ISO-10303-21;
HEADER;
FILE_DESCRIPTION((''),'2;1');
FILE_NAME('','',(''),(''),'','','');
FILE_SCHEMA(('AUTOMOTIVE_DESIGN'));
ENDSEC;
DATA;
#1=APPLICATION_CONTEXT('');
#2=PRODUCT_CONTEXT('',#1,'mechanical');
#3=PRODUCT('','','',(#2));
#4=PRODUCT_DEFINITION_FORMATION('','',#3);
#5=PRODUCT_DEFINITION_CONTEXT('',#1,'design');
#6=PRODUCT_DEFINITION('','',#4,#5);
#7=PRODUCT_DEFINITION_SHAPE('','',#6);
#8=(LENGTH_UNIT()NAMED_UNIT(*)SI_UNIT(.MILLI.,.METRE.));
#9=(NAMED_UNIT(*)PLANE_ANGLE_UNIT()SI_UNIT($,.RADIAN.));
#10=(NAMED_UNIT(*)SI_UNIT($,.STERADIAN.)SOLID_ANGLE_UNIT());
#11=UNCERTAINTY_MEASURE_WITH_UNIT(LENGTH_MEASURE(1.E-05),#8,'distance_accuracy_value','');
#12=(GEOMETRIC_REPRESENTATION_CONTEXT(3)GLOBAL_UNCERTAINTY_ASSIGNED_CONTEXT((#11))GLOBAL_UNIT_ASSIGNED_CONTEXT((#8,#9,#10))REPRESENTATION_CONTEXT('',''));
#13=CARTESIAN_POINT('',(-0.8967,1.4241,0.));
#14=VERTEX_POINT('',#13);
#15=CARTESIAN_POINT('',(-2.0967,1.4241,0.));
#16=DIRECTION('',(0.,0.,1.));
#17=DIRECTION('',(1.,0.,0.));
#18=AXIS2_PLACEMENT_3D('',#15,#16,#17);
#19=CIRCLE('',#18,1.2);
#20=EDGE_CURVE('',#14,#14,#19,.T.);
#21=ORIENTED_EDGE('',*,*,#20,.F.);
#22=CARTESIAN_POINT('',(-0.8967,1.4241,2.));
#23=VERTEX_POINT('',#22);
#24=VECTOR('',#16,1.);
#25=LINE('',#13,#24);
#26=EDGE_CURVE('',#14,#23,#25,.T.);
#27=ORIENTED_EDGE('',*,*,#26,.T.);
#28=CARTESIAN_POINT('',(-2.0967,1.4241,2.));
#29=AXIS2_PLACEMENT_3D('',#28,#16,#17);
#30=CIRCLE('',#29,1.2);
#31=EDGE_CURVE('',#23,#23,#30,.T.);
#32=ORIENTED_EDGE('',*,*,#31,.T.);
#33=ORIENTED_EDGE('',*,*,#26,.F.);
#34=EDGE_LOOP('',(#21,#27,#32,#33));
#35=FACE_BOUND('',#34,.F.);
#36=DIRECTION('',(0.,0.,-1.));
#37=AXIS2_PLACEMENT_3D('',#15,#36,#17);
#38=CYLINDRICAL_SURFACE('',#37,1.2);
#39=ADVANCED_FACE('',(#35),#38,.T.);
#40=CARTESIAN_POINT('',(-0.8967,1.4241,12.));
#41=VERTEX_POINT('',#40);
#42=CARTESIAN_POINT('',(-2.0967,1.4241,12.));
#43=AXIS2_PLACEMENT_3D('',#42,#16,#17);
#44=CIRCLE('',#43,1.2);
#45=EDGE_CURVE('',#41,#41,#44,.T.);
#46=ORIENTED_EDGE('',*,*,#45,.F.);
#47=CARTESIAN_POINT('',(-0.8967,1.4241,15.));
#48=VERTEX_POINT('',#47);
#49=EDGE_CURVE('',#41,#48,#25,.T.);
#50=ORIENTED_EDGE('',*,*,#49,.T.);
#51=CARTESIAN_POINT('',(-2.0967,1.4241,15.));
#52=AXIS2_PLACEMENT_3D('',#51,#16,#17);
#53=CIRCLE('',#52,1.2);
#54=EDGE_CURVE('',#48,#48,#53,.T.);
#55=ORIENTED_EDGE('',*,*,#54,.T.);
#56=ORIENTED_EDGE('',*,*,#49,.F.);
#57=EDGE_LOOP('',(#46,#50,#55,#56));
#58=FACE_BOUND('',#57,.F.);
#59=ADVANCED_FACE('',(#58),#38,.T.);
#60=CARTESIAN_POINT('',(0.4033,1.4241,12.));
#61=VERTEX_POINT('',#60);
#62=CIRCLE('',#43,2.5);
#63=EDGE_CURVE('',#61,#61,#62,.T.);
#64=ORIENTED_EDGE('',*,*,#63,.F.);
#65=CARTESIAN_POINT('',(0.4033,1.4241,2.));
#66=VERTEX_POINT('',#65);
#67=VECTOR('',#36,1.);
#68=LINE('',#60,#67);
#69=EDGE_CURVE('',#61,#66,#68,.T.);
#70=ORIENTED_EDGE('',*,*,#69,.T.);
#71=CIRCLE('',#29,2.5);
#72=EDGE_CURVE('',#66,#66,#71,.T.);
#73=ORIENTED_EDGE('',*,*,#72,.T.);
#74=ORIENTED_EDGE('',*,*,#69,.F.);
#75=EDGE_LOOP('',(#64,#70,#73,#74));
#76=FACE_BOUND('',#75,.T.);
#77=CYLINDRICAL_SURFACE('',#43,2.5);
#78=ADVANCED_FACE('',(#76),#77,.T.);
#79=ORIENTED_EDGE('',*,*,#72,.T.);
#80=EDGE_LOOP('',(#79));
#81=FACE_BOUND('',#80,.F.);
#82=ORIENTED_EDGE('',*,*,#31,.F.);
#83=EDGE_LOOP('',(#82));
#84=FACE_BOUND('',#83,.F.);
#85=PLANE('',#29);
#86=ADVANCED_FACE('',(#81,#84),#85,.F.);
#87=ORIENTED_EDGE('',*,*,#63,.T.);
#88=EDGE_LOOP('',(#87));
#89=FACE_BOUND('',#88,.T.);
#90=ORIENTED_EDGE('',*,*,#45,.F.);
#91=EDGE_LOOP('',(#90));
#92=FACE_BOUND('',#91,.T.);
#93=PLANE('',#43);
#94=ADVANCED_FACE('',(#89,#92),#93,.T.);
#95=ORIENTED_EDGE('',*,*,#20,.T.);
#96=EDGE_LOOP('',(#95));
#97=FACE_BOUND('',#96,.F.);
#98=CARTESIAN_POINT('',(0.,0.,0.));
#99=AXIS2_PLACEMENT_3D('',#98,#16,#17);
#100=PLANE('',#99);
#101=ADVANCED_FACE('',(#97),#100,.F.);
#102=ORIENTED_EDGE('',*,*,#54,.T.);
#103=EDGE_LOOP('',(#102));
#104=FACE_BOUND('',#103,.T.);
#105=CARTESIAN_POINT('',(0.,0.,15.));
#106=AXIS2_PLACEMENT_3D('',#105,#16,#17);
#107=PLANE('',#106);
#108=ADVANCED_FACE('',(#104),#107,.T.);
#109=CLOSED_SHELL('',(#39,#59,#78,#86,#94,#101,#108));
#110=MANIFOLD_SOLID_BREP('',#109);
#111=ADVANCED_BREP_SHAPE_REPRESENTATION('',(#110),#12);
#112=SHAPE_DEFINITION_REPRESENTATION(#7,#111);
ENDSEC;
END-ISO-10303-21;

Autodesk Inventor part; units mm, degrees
ref_plane "YZ Plane" through (0, 0, 0) normal (1, 0, 0) x (0, 1, 0)
ref_plane "XZ Plane" through (0, 0, 0) normal (0, 1, 0) x (-1, 0, 0)
ref_plane "XY Plane" through (0, 0, 0) normal (0, 0, 1) x (1, 0, 0)
sketch "Sketch1" plane through (0, 0, 0) normal (0, 0, 1) x (1, 0, 0)
  circle A0 centre (-2.0967, 1.4241) radius 1.2
  point P0 (0, 0)
  dimension "d0" = 2.4
extrude "Extrusion1" add sketch "Sketch1" along normal blind 15
ref_plane "Work Plane1" through (-2.0967, 1.4241, 12) normal (0, 0, 1) x (1, 0, 0)
sketch "Sketch3" plane through (-2.0967, 1.4241, 12) normal (0, 0, 1) x (1, 0, 0)
  circle A0 centre (0, 0) radius 1.2 projected
  circle A1 centre (0, 0) radius 1.2 projected
  circle A2 centre (0, 0) radius 2.5
  point P0 (2.0967, -1.4241)
  dimension "d4" = 5
extrude "Extrusion2" add sketch "Sketch3" against normal blind 10
properties part number "M2" material "Silver"
